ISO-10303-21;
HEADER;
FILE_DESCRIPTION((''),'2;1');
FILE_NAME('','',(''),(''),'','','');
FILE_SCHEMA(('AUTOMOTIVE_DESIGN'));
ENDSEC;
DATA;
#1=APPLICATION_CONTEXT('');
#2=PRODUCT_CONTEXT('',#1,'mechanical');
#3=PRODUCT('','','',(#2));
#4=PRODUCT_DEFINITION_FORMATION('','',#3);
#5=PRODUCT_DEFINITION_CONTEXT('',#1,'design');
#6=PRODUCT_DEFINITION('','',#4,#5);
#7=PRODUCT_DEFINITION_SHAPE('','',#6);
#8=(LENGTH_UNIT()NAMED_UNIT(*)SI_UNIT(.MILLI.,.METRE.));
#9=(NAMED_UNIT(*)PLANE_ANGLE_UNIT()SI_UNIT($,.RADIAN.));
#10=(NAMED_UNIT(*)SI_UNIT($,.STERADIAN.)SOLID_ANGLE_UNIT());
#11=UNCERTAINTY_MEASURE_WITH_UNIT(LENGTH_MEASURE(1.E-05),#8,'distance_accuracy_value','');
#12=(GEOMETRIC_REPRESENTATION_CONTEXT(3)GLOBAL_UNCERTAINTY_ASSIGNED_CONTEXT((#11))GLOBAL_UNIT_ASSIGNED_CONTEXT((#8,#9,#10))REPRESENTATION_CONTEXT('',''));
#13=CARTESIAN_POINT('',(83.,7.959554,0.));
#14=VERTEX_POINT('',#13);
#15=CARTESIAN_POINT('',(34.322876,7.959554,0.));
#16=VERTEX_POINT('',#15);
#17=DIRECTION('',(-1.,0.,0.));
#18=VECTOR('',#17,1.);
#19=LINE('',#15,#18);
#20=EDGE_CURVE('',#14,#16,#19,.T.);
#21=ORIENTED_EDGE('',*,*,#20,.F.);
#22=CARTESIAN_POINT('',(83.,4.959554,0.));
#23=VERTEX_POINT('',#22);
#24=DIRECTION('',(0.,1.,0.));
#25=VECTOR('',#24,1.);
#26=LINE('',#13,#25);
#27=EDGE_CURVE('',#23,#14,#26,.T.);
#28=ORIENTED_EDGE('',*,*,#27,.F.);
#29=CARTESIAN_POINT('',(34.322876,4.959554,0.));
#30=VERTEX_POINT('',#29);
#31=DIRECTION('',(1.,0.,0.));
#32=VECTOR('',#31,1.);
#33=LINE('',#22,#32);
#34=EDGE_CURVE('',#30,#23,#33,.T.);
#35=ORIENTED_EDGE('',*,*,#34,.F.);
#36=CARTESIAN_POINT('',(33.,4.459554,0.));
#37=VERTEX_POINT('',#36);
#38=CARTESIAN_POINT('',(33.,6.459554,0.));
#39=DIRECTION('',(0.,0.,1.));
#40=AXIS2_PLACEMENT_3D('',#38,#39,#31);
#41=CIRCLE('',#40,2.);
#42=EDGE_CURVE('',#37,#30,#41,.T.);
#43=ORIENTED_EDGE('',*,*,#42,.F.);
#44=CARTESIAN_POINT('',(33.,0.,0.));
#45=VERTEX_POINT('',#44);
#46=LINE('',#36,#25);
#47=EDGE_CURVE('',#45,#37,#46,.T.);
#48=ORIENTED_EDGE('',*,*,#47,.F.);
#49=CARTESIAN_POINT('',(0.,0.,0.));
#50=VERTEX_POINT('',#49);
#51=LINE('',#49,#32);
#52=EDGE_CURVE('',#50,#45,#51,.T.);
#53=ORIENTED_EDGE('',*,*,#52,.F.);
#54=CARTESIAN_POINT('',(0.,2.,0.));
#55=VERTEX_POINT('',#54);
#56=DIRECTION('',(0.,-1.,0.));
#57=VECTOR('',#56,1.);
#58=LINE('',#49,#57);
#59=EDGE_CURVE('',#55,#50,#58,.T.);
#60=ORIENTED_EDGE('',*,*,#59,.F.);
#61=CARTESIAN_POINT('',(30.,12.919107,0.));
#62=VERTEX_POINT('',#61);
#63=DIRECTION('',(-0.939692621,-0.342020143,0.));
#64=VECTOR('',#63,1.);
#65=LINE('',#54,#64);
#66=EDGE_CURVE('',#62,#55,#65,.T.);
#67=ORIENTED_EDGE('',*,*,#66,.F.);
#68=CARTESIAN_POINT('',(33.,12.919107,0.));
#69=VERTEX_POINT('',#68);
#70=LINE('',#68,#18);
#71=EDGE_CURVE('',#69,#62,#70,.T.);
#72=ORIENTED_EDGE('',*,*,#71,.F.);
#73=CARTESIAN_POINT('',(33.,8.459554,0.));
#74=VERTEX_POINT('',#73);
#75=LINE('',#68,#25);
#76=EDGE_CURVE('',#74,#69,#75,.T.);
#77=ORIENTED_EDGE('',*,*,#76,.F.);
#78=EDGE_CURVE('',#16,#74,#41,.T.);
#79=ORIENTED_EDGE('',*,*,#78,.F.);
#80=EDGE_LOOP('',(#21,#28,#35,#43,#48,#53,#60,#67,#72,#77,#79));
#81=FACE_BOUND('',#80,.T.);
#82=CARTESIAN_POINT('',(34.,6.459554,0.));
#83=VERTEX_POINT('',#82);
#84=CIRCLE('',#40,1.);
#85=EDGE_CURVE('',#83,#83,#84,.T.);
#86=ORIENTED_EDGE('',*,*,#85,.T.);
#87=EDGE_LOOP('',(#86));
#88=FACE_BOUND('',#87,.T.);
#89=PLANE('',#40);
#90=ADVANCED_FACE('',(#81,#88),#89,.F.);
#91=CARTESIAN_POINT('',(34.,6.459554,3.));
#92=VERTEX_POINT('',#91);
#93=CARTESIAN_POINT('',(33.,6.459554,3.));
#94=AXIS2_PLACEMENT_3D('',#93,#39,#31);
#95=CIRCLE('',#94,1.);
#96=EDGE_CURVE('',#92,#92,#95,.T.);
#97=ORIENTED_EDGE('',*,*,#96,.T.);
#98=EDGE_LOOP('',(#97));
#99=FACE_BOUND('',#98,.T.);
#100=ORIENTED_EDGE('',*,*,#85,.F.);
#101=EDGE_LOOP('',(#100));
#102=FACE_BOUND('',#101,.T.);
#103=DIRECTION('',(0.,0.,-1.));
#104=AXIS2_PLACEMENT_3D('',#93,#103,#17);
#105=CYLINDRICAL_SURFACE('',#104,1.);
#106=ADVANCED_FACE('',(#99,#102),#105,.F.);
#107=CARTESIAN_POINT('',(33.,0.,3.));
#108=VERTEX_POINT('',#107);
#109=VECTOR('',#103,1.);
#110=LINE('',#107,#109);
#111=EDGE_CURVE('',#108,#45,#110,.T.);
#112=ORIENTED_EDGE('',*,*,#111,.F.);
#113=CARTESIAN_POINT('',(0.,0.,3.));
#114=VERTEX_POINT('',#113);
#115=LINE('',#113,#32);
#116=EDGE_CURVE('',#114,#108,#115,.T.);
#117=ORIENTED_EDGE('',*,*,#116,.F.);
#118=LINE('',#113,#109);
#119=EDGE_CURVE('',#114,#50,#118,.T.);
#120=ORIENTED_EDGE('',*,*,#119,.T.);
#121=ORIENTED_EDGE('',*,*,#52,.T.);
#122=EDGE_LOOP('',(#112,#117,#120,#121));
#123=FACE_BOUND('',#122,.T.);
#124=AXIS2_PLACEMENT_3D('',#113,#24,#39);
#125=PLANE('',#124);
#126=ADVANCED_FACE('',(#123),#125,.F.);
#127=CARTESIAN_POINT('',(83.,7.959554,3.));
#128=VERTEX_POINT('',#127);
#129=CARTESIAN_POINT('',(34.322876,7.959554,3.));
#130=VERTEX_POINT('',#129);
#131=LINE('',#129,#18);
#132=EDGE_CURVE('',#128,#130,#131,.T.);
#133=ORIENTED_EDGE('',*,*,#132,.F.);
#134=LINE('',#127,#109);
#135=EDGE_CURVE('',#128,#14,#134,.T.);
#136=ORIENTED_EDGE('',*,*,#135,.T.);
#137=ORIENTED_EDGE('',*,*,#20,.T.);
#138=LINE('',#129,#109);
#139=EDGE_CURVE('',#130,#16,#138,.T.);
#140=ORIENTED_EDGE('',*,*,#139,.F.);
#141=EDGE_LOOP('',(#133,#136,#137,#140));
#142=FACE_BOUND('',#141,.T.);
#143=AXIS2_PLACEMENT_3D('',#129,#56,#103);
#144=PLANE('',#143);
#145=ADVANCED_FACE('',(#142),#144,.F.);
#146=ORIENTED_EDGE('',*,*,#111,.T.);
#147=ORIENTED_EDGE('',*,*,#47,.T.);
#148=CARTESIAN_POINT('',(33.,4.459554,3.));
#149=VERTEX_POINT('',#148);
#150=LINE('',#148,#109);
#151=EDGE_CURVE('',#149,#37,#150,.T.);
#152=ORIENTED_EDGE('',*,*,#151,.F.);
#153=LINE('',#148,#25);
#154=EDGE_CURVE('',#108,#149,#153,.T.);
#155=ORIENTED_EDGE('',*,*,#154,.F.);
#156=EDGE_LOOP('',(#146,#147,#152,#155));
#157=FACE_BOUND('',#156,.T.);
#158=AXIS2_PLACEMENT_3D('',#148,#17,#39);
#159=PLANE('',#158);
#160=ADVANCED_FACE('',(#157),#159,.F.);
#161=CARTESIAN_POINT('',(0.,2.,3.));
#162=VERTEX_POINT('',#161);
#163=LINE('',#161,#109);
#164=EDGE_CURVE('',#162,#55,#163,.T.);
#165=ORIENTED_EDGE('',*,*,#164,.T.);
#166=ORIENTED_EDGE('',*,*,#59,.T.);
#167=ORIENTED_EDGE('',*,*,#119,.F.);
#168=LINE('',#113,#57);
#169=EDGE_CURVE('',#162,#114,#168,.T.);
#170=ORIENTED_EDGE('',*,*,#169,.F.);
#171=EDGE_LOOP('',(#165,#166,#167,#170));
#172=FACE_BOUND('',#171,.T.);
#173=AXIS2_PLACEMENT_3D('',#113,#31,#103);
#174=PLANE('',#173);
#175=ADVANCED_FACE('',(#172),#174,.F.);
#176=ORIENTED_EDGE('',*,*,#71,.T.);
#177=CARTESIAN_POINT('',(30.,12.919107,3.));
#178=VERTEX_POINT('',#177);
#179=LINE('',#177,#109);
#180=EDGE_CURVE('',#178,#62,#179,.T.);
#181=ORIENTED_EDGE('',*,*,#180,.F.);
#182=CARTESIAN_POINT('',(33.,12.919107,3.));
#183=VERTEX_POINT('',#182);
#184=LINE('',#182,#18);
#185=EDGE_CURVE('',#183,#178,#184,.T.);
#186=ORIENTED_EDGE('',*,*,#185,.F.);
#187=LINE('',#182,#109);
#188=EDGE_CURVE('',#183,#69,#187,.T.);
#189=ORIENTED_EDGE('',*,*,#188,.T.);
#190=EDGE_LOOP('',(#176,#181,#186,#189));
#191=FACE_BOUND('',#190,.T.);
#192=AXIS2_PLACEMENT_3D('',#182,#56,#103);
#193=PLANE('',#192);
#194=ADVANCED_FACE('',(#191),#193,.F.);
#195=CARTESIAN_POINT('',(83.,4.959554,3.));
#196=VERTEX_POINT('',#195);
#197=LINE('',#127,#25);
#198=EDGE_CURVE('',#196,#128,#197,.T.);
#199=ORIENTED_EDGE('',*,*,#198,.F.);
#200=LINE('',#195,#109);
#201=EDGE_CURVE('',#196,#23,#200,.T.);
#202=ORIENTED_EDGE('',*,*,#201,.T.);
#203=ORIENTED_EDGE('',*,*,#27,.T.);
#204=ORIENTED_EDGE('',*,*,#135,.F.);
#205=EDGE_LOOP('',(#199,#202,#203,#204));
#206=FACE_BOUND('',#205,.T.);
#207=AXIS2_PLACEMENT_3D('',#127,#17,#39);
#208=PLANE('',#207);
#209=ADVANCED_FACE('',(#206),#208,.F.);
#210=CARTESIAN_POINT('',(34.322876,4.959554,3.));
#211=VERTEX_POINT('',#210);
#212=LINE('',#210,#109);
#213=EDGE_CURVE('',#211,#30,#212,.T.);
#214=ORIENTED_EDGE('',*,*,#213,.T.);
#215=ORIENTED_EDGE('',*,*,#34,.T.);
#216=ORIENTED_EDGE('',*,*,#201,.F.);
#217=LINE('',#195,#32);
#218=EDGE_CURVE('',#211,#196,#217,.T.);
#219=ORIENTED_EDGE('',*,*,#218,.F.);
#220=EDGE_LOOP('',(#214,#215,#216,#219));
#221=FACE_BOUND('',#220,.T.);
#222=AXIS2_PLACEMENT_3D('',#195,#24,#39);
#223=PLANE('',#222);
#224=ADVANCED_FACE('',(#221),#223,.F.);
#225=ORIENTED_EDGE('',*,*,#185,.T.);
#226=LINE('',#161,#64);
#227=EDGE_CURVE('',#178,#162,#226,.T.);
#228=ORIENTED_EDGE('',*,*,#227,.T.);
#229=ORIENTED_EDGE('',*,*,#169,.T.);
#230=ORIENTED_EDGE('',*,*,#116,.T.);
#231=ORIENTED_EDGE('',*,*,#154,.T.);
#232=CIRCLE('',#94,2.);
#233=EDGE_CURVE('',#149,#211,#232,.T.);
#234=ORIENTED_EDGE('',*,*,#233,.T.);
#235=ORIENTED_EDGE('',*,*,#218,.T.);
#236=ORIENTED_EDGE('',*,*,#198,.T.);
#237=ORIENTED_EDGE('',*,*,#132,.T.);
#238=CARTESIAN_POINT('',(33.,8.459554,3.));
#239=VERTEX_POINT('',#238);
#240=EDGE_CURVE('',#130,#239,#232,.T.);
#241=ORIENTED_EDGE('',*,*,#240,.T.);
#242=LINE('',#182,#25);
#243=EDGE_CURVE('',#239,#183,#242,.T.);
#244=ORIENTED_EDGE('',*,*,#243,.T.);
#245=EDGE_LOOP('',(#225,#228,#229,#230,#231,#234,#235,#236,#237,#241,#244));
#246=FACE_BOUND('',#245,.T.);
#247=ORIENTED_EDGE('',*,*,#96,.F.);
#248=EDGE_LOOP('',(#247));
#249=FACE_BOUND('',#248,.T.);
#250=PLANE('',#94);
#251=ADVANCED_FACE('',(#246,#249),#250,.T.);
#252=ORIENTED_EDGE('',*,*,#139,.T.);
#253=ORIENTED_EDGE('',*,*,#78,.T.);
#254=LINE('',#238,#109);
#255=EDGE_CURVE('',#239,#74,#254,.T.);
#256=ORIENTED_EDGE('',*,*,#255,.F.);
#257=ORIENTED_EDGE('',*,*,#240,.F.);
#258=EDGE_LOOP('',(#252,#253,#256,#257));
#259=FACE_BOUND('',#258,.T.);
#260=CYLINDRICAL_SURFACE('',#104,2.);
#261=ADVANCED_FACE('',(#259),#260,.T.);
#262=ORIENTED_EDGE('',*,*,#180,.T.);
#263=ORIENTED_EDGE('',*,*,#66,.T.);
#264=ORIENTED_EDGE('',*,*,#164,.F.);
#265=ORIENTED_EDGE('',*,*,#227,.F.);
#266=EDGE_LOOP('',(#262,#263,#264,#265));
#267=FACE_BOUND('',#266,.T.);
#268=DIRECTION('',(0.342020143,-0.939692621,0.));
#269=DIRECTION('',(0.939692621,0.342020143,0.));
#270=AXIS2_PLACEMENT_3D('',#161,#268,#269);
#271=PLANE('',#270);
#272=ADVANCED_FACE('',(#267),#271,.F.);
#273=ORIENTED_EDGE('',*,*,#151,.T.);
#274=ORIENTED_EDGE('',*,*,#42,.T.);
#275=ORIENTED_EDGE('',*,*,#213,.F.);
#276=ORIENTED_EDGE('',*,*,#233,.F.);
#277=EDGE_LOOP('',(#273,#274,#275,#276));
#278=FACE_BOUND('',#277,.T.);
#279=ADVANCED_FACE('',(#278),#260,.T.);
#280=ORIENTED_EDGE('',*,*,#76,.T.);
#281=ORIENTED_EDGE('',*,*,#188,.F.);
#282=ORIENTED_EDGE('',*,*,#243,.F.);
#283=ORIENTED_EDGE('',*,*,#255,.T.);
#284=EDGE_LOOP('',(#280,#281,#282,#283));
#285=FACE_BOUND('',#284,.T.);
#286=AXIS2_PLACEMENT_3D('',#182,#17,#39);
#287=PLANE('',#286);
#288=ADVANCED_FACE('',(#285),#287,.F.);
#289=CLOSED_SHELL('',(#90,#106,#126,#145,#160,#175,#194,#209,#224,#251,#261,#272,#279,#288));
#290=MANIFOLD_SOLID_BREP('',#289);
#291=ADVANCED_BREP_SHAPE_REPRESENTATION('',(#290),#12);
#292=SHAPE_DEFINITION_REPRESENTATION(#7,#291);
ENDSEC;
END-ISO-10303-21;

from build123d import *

# Parameters (mm, degrees)
SKETCH_1_R      = 1
EXTRUDE_1_DEPTH = 3


with BuildPart() as part:
    # Эскиз1 → Бобышка-Вытянуть1 (new body)
    with BuildSketch(Plane.XY):
        with BuildLine():
            Line((0, 0), (0, 2))
            Line((0, 2), (30, 12.919107028))
            Line((30, 12.919107028), (33, 12.919107028))
            Line((33, 12.919107028), (33, 8.459553514))
            ThreePointArc((33, 8.459553514), (33.707106781, 8.330382207), (34.322875656, 7.959553514))
            Line((34.322875656, 7.959553514), (83, 7.959553514))
            Line((83, 7.959553514), (83, 4.959553514))
            Line((83, 4.959553514), (34.322875656, 4.959553514))
            ThreePointArc((34.322875656, 4.959553514), (33.707106781, 4.588724821), (33, 4.459553514))
            Line((33, 4.459553514), (33, 0))
            Line((33, 0), (0, 0))
        make_face()
        with Locations((33, 6.459553514)):
            Circle(SKETCH_1_R, mode=Mode.SUBTRACT)
    extrude(amount=EXTRUDE_1_DEPTH)


solid = part.part
